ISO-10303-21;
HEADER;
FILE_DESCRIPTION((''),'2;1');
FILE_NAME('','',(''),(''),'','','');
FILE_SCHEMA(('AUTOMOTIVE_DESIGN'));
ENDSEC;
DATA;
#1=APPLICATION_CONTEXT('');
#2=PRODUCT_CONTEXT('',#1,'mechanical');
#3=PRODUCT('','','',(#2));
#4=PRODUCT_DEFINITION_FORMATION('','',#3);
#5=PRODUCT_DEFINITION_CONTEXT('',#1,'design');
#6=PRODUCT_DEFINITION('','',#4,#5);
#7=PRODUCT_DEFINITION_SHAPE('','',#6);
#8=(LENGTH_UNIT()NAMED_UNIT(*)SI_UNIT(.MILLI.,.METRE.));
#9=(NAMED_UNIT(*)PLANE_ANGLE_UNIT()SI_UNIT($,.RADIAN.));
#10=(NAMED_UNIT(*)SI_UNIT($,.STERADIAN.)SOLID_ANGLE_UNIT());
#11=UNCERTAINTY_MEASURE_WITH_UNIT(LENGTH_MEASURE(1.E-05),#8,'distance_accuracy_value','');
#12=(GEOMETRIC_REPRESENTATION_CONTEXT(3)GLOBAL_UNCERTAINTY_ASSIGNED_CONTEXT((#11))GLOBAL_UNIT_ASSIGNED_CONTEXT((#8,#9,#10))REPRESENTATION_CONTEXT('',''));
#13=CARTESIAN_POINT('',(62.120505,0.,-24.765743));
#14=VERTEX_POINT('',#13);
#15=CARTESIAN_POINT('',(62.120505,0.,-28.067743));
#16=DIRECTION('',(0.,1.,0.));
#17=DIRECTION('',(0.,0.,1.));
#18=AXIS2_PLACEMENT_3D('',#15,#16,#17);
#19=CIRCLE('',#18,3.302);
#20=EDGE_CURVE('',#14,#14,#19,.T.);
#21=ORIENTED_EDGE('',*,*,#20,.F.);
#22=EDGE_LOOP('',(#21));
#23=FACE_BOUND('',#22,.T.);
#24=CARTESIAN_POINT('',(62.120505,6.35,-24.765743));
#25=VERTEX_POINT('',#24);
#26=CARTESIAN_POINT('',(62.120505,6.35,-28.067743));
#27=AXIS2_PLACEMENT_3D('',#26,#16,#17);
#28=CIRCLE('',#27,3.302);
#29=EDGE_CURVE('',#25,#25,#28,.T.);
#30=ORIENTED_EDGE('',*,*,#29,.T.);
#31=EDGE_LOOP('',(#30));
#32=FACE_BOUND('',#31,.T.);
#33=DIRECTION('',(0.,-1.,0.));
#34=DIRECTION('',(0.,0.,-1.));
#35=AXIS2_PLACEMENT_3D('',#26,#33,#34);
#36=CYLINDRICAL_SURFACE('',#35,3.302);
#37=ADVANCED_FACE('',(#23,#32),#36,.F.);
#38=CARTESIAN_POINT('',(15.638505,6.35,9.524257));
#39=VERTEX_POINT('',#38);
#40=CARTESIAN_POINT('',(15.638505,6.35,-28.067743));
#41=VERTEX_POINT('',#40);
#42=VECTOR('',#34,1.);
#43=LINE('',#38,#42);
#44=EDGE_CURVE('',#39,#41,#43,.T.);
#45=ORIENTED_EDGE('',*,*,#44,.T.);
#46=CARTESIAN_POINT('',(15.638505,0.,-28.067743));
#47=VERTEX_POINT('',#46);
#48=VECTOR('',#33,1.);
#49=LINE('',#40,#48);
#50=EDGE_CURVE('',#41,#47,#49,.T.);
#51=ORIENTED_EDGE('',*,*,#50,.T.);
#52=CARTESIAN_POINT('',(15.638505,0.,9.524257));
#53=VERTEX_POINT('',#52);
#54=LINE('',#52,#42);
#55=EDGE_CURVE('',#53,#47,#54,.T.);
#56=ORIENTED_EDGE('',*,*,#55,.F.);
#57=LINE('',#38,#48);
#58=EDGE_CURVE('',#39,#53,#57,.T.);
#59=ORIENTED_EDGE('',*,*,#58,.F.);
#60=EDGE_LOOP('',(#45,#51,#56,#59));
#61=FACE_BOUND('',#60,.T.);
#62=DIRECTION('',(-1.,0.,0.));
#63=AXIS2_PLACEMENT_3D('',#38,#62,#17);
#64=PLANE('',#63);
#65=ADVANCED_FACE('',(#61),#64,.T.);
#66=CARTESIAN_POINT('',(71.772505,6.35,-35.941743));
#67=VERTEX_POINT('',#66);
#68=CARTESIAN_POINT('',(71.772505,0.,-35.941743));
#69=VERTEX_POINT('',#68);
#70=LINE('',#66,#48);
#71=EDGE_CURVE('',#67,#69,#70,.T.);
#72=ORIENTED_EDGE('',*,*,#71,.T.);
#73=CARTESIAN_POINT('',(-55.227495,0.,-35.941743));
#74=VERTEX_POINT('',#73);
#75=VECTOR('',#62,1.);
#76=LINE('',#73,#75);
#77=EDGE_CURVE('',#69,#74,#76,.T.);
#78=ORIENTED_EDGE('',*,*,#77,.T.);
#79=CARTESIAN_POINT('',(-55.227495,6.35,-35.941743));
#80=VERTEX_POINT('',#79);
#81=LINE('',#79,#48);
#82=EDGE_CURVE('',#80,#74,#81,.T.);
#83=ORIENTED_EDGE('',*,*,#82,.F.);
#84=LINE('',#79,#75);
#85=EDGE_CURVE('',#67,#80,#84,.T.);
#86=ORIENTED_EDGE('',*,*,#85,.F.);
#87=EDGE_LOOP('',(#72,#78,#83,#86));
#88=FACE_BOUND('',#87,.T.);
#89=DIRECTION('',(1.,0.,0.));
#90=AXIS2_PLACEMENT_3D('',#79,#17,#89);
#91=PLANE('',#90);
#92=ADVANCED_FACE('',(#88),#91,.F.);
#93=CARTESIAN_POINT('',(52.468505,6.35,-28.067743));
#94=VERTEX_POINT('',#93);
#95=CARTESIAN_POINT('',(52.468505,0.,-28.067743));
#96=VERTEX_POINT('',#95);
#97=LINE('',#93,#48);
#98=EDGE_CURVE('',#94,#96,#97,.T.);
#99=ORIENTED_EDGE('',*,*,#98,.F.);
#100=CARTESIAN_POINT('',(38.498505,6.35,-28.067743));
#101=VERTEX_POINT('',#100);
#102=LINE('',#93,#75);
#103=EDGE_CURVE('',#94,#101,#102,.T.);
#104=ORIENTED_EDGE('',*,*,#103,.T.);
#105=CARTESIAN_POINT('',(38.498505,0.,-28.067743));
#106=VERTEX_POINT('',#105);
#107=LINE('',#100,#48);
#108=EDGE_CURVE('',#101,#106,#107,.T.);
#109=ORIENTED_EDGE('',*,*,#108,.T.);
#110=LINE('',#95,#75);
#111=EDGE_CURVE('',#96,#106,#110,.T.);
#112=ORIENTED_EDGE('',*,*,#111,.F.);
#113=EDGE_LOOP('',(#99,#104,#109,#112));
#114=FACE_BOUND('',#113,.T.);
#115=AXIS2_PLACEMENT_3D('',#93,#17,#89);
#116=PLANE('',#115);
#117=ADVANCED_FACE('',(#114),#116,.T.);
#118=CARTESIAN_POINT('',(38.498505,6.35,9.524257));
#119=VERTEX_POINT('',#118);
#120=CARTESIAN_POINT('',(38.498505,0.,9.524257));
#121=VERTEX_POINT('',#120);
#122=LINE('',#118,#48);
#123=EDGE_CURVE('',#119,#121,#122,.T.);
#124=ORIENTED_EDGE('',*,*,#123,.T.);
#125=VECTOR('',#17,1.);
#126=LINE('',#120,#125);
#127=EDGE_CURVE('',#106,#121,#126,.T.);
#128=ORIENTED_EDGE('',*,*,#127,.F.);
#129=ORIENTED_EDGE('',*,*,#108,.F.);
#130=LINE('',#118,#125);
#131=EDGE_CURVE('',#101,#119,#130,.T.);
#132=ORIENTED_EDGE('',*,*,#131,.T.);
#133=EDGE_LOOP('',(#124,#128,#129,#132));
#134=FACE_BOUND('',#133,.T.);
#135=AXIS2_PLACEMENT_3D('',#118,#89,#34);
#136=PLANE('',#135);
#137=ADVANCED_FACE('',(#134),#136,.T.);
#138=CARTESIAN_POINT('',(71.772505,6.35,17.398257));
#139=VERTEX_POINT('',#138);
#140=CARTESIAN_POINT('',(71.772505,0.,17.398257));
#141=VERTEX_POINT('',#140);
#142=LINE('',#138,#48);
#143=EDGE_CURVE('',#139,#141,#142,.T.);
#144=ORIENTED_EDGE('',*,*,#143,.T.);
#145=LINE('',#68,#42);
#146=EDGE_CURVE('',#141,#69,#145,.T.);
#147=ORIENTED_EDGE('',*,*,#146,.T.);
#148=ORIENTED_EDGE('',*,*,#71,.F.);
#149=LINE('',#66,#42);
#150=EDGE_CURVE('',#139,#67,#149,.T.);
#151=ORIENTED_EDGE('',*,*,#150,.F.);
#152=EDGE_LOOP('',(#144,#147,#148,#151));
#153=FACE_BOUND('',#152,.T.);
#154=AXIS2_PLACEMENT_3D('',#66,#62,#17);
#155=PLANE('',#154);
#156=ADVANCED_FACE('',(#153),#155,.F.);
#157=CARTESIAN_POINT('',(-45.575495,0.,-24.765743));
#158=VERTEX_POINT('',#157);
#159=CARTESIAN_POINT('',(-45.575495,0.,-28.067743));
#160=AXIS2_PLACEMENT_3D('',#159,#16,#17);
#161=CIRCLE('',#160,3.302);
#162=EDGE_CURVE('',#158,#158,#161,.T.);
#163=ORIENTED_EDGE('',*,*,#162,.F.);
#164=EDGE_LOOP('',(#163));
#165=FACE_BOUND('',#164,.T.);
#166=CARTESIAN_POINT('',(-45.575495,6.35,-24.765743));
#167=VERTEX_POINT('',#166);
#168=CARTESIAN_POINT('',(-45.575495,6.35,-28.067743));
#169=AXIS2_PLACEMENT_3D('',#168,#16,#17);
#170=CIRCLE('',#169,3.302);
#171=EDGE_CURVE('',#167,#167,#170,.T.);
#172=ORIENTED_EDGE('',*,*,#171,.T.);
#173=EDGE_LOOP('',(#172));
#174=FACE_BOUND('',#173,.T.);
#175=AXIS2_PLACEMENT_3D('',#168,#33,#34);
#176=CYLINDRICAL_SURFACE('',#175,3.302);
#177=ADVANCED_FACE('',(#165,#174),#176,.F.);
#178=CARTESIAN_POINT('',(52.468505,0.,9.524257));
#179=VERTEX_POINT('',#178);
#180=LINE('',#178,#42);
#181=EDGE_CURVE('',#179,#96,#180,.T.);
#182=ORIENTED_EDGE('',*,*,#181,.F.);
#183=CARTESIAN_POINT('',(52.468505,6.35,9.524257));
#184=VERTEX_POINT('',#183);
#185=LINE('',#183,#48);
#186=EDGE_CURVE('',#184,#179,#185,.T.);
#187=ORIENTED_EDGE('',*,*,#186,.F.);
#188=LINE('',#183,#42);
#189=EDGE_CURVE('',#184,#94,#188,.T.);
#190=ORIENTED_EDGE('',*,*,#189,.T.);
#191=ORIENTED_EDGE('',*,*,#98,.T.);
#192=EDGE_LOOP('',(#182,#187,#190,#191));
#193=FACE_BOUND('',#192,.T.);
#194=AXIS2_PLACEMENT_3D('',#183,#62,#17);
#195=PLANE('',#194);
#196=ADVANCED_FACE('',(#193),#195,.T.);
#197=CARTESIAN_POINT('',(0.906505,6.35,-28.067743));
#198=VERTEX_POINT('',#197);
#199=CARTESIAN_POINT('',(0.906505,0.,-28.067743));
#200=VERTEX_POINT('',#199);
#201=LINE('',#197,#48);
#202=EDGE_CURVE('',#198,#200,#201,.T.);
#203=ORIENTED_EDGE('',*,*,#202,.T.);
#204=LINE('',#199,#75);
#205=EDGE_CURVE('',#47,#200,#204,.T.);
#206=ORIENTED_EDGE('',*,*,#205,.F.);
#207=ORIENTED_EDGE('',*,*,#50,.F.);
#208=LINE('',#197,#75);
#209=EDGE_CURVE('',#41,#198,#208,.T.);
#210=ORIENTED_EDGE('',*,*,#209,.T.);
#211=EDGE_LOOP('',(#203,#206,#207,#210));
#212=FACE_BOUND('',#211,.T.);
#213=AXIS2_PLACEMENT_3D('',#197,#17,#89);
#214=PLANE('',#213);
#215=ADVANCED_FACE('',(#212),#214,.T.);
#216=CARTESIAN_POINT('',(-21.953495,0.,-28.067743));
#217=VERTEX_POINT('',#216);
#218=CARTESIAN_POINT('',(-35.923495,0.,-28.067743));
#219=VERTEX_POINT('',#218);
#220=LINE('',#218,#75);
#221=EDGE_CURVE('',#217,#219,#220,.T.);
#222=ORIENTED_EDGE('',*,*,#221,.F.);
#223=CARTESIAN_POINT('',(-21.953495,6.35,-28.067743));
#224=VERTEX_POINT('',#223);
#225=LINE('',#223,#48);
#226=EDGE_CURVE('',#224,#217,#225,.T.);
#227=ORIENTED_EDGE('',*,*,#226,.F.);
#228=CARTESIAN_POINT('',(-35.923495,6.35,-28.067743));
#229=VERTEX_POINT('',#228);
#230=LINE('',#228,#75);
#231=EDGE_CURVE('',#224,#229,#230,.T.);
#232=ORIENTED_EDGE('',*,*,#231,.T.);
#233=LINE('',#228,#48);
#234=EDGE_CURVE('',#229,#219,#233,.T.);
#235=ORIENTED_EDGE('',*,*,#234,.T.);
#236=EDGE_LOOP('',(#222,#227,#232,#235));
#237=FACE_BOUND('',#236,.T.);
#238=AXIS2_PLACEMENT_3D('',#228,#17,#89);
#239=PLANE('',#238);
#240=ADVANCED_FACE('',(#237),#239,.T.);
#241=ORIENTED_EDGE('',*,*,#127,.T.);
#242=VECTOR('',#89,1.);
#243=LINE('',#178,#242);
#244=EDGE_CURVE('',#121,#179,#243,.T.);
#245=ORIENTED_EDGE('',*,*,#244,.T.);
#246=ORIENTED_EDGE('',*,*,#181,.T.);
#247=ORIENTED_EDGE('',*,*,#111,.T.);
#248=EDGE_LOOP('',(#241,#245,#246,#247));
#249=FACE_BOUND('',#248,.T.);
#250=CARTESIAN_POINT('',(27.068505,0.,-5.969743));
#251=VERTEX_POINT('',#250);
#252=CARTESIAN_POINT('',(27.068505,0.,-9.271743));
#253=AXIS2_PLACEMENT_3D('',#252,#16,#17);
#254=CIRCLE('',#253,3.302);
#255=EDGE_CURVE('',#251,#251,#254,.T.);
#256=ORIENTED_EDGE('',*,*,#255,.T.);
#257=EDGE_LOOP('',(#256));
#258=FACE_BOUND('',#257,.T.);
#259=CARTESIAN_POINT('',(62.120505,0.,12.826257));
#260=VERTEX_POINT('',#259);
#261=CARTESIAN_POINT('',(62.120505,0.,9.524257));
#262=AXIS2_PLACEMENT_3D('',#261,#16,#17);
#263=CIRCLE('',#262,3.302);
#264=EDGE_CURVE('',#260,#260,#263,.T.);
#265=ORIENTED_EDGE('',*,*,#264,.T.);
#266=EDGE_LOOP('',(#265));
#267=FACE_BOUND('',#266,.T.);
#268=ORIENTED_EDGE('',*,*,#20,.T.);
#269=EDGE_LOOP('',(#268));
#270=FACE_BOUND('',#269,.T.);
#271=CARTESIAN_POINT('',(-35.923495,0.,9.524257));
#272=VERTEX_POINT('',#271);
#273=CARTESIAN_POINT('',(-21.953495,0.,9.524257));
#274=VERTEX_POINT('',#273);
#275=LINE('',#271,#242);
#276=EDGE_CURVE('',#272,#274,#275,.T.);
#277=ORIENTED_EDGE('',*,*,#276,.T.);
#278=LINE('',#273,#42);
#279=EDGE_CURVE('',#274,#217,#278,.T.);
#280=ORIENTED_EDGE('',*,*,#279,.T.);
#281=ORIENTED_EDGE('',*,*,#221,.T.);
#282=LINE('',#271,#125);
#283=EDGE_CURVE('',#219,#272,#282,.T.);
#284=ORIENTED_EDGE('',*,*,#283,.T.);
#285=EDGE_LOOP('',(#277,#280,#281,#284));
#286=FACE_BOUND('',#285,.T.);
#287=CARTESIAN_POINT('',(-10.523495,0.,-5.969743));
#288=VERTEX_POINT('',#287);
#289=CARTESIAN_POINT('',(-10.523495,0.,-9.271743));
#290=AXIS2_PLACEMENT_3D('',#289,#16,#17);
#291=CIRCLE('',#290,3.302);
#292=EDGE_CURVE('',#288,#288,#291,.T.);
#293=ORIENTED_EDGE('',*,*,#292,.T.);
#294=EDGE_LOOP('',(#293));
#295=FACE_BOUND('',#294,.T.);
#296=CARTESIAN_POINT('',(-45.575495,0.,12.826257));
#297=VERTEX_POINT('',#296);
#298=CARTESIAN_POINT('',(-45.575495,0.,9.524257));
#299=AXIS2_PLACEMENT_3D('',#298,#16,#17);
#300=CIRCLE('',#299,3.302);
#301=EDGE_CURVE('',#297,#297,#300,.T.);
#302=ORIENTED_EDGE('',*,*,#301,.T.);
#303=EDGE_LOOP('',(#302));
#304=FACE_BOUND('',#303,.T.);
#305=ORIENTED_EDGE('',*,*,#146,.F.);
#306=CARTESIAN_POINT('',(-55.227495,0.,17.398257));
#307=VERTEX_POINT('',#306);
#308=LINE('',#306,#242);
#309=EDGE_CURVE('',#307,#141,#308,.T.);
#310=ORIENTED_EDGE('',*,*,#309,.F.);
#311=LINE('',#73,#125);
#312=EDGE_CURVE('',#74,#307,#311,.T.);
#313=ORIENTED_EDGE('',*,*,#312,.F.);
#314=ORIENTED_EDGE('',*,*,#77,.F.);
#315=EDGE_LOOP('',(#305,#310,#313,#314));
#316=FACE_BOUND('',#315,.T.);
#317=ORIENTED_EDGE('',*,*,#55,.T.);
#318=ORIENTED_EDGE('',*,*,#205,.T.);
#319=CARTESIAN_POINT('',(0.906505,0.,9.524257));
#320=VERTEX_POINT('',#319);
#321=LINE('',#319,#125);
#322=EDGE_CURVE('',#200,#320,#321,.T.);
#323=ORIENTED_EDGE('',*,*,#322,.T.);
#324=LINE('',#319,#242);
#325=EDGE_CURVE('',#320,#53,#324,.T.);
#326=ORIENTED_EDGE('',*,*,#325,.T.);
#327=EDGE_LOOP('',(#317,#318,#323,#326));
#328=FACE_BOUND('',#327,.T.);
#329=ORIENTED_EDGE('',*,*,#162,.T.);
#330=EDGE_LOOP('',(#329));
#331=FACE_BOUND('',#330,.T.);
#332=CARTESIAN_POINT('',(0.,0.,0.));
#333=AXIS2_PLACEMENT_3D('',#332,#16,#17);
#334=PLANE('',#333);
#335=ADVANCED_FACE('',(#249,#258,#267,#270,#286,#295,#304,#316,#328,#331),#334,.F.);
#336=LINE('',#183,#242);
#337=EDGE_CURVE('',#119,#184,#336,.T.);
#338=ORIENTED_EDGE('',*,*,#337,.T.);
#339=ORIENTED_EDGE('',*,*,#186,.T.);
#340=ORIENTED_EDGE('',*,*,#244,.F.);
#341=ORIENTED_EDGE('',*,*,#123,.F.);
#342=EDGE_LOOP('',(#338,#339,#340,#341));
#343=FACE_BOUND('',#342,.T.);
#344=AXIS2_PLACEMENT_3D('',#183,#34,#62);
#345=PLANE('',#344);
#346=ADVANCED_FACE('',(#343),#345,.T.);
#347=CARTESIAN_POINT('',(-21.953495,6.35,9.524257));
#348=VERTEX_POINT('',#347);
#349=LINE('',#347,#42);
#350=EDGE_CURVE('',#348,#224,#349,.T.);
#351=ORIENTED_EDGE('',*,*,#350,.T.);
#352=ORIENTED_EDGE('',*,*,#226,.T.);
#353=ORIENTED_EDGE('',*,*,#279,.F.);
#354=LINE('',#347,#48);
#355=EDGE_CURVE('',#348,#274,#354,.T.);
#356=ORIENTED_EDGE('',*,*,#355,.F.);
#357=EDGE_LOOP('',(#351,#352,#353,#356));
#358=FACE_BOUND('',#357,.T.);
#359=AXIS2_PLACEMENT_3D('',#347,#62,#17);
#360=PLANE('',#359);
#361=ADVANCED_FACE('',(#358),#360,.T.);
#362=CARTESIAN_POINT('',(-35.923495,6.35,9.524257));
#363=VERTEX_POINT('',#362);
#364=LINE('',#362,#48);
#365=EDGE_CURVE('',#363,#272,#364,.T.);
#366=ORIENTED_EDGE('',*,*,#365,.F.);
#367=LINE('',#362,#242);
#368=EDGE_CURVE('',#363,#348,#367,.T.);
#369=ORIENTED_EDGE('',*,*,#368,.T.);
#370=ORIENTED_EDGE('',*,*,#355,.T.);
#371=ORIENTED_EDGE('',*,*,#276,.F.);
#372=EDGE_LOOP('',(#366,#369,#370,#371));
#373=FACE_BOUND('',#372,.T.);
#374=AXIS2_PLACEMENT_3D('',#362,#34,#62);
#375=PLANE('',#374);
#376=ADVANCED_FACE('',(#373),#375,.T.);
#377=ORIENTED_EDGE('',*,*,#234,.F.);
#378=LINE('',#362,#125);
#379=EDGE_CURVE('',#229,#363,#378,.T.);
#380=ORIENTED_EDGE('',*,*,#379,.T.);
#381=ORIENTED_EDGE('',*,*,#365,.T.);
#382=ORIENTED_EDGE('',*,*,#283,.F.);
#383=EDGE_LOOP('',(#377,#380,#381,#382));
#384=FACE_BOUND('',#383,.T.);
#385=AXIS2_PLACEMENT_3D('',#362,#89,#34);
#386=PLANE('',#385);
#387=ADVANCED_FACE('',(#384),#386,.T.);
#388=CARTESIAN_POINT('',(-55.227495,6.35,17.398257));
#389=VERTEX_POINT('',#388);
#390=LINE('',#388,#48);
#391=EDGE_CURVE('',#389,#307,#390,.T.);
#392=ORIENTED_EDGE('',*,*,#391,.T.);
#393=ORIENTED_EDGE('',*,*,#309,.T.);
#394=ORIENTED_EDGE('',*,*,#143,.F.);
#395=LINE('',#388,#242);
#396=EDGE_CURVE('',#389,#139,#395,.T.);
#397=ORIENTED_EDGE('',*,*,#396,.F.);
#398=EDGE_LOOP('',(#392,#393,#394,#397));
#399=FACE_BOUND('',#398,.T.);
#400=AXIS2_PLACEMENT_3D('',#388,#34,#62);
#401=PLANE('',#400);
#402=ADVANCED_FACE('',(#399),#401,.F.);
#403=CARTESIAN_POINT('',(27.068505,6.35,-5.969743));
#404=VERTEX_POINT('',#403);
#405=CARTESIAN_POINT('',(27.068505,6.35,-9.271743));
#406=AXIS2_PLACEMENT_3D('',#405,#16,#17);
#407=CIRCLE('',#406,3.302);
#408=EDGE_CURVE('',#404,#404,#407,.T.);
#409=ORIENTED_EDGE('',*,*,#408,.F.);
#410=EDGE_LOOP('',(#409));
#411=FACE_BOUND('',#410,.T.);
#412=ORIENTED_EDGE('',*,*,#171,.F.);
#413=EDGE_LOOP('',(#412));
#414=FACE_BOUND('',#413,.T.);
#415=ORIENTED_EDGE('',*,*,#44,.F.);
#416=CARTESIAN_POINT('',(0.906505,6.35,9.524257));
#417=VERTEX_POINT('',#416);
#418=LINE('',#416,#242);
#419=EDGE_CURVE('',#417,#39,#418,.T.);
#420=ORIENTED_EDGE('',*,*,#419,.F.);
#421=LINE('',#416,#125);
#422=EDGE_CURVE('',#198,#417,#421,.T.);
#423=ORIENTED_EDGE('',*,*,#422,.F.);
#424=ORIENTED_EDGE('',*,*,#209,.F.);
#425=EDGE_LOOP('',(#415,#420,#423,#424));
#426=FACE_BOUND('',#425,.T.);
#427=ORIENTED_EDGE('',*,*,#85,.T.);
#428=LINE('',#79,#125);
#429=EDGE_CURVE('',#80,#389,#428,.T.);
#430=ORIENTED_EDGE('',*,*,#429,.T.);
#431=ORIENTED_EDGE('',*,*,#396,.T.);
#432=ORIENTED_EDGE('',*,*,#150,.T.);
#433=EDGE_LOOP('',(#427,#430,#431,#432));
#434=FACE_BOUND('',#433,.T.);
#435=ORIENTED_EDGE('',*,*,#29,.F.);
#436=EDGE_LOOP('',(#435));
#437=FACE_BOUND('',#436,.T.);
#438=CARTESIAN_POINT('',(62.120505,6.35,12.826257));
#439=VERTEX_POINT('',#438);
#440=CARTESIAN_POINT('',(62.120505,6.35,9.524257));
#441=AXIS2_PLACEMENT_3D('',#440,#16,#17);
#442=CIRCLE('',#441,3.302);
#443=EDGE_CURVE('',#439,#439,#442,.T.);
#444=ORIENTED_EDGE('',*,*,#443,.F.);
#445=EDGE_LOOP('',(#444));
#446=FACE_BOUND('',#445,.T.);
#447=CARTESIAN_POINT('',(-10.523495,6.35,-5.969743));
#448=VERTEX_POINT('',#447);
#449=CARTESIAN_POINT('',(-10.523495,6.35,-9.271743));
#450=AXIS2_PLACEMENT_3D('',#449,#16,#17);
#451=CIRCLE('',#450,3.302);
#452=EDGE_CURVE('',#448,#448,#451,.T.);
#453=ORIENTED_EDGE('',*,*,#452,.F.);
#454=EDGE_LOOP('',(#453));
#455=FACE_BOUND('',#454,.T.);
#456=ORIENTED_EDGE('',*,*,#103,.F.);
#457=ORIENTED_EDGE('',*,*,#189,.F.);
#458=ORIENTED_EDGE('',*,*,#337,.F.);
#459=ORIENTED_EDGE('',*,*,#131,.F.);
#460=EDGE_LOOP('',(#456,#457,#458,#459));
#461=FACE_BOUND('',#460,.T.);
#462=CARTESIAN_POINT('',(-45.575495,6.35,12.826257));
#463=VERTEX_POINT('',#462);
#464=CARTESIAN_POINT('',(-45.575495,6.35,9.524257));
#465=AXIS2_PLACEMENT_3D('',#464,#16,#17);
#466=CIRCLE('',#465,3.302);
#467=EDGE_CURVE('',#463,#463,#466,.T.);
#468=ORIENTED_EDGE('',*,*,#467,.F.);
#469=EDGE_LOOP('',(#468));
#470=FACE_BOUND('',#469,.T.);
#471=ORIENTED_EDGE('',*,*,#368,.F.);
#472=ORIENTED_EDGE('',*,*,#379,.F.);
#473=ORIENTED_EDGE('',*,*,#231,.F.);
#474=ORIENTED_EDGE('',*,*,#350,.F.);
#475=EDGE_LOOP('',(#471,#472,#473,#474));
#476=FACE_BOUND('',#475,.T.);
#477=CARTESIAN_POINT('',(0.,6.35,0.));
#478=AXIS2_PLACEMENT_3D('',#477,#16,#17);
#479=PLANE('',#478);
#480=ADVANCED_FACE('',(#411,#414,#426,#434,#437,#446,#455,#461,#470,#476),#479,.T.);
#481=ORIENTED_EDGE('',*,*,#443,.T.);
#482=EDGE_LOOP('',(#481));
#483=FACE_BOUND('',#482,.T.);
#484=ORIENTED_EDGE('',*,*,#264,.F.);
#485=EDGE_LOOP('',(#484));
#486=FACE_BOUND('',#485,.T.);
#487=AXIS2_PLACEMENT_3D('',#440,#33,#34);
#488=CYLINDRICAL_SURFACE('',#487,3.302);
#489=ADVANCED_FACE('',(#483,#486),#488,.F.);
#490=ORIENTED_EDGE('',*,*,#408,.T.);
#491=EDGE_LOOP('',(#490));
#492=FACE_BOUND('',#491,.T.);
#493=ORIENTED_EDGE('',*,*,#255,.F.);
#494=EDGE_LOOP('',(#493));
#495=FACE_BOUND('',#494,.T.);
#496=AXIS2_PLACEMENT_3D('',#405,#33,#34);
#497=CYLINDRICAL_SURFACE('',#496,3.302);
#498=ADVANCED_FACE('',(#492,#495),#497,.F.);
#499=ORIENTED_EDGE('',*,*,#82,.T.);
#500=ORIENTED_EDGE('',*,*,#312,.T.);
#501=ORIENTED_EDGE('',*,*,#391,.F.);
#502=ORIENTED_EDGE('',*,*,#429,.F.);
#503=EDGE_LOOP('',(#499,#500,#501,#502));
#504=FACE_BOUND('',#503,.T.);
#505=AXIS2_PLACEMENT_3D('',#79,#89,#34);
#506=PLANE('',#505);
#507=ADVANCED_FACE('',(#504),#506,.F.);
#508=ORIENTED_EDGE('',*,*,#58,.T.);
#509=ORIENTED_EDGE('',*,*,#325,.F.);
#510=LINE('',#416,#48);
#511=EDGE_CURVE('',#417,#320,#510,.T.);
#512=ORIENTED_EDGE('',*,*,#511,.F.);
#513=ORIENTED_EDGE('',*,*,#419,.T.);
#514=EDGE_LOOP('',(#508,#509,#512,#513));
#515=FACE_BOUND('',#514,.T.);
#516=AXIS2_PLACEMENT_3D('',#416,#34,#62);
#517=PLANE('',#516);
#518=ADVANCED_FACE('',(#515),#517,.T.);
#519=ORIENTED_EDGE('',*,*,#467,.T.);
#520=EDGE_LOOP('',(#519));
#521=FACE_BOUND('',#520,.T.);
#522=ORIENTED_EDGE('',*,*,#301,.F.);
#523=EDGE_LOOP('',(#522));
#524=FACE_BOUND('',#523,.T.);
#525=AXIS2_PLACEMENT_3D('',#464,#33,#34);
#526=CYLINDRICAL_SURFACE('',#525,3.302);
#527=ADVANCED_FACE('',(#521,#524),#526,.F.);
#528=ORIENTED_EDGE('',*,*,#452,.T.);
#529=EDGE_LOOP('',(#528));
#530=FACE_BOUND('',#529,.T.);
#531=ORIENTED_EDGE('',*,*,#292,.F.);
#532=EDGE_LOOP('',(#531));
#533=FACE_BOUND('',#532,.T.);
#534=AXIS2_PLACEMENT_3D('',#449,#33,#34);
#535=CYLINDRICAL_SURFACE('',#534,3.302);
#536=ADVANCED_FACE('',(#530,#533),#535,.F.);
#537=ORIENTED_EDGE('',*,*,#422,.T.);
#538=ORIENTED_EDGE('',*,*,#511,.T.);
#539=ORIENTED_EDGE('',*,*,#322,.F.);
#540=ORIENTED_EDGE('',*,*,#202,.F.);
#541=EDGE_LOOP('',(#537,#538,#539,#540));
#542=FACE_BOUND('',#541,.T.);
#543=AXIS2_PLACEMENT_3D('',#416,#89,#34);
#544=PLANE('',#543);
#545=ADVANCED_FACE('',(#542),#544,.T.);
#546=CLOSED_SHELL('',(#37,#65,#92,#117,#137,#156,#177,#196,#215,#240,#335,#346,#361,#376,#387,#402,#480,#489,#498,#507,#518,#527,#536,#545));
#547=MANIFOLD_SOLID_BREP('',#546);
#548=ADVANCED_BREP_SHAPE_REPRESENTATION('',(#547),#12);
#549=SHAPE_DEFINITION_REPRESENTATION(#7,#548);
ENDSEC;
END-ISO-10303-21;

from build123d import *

# Parameters (mm, degrees)
SKETCH1_W           = 127
SKETCH1_H           = 53.34
SKETCH1_R           = 3.302
SKETCH1_W_2         = 13.97
SKETCH1_H_2         = 37.592
SKETCH1_W_3         = 14.732
BOSS_EXTRUDE1_DEPTH = 6.35


with BuildPart() as part:
    # Sketch1 → Boss-Extrude1 (new body)
    with BuildSketch(Plane(origin=(0, 0, 0), x_dir=(1, 0, 0), z_dir=(0, 1, 0))):
        with Locations((8.27250506, 9.271742923)):
            Rectangle(SKETCH1_W, SKETCH1_H)
        with Locations((-45.57549494, -9.524257077)):
            Circle(SKETCH1_R, mode=Mode.SUBTRACT)
        with Locations((-45.57549494, 28.067742923)):
            Circle(SKETCH1_R, mode=Mode.SUBTRACT)
        with Locations((62.12050506, -9.524257077)):
            Circle(SKETCH1_R, mode=Mode.SUBTRACT)
        with Locations((62.12050506, 28.067742923)):
            Circle(SKETCH1_R, mode=Mode.SUBTRACT)
        with Locations((-10.52349494, 9.271742923)):
            Circle(SKETCH1_R, mode=Mode.SUBTRACT)
        with Locations((27.06850506, 9.271742923)):
            Circle(SKETCH1_R, mode=Mode.SUBTRACT)
        with Locations((-28.93849494, 9.271742923)):
            Rectangle(SKETCH1_W_2, SKETCH1_H_2, mode=Mode.SUBTRACT)
        with Locations((45.48350506, 9.271742923)):
            Rectangle(SKETCH1_W_2, SKETCH1_H_2, mode=Mode.SUBTRACT)
        with Locations((8.27250506, 9.271742923)):
            Rectangle(SKETCH1_W_3, SKETCH1_H_2, mode=Mode.SUBTRACT)
    extrude(amount=BOSS_EXTRUDE1_DEPTH)


solid = part.part
